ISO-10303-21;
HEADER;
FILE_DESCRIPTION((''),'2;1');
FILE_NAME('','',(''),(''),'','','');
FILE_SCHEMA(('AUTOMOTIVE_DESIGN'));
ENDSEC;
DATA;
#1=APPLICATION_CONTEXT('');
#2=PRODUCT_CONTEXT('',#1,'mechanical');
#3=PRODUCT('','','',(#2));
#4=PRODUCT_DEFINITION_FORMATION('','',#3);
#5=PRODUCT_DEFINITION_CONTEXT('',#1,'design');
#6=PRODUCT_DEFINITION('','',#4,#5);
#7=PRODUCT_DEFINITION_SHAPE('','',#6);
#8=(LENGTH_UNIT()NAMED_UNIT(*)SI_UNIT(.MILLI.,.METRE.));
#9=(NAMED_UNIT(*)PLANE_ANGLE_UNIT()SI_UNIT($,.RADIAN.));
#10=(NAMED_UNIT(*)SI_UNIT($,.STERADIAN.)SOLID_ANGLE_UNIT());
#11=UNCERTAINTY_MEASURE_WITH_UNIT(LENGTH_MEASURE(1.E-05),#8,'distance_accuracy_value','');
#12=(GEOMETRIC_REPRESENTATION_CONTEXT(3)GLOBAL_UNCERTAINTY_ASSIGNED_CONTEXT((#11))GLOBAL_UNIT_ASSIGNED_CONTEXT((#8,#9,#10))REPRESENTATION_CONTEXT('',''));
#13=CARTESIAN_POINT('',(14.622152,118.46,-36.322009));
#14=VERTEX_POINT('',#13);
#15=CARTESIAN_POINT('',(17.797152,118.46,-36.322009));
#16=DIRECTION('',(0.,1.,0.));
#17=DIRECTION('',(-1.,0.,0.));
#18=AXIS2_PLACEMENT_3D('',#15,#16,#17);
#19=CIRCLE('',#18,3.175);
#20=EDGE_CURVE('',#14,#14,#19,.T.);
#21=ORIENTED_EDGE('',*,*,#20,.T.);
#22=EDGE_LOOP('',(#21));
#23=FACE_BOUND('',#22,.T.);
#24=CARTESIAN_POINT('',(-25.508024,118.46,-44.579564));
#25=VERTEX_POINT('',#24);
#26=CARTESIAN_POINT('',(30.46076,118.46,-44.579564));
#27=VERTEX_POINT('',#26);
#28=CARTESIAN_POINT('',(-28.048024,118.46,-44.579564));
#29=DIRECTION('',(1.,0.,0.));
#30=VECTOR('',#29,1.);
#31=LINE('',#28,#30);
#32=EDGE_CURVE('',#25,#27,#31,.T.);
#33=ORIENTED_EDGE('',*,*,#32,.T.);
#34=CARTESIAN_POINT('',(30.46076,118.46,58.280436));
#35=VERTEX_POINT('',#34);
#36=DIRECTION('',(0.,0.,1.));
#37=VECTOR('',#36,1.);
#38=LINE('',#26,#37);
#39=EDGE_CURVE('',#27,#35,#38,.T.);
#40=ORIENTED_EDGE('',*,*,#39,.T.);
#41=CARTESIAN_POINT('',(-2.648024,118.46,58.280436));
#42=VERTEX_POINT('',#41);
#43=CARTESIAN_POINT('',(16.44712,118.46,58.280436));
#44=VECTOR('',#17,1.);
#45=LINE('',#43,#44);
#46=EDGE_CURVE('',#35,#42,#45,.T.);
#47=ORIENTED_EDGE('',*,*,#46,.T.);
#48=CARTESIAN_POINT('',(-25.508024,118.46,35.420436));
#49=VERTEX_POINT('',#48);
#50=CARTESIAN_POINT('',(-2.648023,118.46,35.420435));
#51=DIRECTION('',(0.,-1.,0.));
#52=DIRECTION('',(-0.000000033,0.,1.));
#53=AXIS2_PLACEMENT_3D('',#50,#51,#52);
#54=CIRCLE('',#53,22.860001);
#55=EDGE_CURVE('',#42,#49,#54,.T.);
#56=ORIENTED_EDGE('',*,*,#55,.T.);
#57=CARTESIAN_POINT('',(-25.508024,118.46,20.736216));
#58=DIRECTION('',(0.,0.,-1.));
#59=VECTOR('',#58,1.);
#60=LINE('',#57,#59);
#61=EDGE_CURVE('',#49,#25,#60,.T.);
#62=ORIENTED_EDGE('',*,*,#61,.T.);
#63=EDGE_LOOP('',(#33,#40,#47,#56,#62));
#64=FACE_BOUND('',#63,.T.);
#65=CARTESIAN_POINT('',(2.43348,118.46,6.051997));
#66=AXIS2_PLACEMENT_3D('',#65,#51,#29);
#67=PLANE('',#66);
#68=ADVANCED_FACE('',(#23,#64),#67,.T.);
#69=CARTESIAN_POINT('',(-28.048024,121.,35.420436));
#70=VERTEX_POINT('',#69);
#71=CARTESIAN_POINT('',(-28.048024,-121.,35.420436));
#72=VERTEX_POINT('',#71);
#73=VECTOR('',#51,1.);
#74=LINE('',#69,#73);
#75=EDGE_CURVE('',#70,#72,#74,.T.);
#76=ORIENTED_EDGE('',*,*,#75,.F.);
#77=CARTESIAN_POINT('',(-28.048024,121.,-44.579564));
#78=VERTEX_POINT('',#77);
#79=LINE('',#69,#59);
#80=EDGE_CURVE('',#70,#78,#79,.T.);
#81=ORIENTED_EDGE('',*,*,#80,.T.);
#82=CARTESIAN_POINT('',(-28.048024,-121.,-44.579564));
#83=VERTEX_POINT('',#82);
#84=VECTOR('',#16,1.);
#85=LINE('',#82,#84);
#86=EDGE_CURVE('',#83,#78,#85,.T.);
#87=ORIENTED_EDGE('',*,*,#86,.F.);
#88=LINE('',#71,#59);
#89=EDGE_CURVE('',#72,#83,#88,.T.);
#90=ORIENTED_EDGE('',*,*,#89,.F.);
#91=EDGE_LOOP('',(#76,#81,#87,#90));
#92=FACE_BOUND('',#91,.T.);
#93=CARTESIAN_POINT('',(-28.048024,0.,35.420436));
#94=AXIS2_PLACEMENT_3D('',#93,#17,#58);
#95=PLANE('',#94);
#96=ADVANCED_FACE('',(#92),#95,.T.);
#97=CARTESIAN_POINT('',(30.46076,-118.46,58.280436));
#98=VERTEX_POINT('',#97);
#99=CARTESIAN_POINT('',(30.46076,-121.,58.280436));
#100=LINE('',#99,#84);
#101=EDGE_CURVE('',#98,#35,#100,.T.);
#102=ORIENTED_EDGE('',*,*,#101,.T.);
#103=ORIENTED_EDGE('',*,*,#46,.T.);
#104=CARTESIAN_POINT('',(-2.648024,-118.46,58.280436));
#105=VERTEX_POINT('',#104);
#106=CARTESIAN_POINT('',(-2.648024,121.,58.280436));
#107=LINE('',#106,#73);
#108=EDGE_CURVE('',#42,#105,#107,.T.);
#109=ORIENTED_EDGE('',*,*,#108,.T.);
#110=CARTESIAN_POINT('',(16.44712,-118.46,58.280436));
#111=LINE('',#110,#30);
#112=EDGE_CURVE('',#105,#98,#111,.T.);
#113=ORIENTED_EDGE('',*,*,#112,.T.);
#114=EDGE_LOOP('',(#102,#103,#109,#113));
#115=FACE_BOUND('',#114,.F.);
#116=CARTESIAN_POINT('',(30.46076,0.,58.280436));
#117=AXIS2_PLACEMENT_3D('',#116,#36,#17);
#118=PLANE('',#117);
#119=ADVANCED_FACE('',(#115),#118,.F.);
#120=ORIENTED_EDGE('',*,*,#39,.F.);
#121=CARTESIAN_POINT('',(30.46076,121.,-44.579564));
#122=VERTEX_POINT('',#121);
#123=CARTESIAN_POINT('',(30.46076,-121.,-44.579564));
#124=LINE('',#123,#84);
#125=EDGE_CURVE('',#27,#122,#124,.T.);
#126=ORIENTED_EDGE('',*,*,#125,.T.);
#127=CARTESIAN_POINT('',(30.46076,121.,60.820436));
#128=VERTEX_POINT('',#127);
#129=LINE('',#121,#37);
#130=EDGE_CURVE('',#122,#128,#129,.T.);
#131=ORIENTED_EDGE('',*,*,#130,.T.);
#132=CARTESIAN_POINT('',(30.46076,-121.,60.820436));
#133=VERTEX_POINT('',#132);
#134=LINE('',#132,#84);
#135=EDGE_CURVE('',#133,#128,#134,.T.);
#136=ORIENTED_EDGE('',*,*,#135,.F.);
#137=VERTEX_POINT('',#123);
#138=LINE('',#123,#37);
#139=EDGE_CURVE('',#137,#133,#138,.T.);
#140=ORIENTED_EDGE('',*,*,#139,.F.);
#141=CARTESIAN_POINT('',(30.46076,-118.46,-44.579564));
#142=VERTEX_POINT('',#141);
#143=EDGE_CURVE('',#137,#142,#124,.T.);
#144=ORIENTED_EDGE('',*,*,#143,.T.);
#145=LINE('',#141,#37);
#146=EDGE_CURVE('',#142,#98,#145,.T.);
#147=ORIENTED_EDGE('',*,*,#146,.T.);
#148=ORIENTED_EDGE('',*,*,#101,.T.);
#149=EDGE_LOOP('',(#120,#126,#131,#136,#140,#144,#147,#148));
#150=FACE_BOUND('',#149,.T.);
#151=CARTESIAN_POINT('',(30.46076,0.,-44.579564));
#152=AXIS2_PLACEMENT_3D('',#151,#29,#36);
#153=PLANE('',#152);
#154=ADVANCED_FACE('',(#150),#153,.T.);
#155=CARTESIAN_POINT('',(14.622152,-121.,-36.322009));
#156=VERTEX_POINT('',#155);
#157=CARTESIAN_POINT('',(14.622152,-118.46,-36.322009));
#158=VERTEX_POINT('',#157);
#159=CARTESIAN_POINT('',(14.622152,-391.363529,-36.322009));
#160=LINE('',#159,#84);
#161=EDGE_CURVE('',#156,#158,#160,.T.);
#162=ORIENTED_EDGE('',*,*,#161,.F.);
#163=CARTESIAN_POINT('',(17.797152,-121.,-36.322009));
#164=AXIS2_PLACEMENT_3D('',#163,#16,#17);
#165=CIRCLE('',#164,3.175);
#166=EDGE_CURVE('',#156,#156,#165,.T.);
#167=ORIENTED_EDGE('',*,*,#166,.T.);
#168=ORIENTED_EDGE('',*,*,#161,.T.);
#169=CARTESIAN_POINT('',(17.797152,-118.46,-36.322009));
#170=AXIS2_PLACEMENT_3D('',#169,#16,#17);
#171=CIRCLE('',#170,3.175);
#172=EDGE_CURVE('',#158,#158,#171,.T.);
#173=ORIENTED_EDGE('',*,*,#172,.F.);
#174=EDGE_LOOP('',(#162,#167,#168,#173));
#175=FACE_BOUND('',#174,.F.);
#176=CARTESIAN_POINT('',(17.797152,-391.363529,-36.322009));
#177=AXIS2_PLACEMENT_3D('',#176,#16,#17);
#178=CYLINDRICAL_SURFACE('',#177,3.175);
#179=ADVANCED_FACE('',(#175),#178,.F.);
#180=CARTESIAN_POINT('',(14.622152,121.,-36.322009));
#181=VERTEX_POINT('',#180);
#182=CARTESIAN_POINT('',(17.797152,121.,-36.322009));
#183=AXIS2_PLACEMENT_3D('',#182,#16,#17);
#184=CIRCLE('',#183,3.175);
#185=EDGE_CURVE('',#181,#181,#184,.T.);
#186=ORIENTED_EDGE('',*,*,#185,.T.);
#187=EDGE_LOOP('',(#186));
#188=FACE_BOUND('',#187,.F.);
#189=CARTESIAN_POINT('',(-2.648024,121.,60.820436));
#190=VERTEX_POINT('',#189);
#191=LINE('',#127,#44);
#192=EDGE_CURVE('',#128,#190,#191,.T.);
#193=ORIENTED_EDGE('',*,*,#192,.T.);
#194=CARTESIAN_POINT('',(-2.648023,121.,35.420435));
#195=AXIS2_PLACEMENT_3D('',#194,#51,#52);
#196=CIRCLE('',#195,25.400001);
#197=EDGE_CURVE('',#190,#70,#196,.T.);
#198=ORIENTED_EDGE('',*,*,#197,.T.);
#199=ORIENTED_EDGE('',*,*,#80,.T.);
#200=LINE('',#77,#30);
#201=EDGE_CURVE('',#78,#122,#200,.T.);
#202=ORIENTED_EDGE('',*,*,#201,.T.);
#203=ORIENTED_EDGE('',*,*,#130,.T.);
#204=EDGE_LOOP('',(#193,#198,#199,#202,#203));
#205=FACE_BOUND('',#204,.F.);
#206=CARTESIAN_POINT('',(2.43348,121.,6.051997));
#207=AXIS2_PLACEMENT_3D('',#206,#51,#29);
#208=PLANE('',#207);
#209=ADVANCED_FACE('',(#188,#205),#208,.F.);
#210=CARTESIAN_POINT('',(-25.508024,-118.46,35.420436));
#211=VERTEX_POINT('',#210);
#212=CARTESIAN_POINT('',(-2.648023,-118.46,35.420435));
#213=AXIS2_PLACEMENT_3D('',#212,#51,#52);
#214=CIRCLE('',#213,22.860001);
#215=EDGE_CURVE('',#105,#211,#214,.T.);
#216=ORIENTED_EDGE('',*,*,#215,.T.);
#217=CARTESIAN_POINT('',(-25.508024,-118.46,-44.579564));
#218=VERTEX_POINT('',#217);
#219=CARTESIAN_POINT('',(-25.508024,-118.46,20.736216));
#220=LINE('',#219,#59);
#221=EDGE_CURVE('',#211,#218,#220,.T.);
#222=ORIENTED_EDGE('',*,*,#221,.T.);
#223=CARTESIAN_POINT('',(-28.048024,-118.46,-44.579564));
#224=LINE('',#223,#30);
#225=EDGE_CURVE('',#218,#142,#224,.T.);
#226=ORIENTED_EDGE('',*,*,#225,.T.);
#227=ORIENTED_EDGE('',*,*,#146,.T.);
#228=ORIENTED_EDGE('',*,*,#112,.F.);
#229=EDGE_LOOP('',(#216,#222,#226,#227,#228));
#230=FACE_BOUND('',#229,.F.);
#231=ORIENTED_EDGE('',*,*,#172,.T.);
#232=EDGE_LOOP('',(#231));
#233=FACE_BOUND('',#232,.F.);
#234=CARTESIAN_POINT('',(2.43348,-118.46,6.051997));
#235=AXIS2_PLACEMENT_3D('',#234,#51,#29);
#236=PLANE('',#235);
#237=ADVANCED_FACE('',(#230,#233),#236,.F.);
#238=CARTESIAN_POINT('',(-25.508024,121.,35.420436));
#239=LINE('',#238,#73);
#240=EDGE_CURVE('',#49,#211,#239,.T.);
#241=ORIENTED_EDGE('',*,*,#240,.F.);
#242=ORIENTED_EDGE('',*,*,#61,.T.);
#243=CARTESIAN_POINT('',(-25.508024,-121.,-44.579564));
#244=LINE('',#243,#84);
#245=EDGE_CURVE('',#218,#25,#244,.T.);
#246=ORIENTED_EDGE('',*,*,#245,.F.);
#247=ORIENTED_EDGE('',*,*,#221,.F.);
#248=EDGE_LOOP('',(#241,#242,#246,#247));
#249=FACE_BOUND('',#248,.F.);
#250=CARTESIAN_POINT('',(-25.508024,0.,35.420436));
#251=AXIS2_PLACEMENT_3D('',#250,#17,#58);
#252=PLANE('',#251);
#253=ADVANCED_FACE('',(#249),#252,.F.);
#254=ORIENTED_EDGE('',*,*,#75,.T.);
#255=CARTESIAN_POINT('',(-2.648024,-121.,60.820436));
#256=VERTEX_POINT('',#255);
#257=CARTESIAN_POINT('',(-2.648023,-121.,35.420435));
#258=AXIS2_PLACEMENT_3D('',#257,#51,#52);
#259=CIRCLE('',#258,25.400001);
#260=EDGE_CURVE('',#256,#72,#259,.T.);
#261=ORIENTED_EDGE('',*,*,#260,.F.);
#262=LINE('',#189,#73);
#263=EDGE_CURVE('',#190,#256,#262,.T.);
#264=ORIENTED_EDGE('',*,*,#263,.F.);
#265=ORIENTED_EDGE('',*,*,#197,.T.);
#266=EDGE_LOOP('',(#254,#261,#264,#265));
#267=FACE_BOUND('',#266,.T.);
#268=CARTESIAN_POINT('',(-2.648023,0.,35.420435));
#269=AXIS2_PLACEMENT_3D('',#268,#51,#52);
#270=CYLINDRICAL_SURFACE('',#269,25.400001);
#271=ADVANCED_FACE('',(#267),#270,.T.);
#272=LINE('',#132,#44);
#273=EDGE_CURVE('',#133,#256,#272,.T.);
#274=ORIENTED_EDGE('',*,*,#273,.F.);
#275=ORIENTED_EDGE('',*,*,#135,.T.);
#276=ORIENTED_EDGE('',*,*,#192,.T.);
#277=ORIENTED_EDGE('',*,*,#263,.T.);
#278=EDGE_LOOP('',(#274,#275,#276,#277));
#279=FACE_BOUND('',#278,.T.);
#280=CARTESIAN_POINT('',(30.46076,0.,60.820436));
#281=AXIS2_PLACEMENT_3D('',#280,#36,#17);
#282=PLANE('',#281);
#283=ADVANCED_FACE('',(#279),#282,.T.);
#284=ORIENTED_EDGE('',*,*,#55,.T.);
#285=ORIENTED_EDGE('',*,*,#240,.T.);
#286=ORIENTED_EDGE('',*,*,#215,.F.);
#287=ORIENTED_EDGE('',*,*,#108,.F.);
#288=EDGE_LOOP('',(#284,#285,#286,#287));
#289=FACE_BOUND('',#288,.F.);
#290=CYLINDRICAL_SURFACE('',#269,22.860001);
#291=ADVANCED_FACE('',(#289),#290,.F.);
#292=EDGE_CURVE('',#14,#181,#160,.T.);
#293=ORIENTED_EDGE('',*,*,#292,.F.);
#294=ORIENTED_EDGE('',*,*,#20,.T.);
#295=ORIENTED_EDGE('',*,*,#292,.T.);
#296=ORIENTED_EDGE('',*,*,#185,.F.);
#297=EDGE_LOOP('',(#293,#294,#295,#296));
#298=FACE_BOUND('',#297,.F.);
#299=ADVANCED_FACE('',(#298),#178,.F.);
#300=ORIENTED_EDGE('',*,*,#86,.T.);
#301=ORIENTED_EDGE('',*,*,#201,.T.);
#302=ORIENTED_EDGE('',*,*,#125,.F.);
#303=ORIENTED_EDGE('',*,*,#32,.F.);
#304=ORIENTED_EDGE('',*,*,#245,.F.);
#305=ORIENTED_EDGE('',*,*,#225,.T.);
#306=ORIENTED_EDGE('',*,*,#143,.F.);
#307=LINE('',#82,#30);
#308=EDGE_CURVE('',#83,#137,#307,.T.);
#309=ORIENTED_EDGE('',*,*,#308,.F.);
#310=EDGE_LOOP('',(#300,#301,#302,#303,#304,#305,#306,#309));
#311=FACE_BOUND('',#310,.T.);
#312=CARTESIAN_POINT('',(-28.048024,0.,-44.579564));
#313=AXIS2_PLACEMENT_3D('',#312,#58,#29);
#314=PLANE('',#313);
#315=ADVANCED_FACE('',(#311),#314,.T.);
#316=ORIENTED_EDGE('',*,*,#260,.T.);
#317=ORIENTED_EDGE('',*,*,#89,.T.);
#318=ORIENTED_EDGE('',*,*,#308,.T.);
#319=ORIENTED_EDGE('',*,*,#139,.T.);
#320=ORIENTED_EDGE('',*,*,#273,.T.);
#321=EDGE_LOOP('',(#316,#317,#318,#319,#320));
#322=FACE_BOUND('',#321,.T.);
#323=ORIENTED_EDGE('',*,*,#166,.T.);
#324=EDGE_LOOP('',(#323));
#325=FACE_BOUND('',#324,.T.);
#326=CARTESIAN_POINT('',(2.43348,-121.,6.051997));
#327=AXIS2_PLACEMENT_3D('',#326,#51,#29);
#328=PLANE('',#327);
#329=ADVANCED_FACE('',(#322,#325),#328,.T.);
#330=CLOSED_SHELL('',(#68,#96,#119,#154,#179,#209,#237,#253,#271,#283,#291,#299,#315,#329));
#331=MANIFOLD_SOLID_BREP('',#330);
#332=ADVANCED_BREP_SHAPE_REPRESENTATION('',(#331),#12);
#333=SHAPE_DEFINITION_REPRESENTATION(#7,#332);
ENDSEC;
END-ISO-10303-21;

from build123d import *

# Parameters (mm, degrees)
F1_DEPTH = 121
F2_T     = -2.54
F4_D     = 6.35


with BuildPart() as f1:
    # F0 (on Front) → F1 (new body, symmetric)
    with BuildSketch(Plane.XZ):
        with BuildLine():
            Line((30.46076, 60.820436), (-2.648024, 60.820436))
            ThreePointArc((-2.648024, 60.820436), (-20.608536, 53.380948), (-28.048024, 35.420436))
            Line((-28.048024, 35.420436), (-28.048024, -44.579564))
            Line((-28.048024, -44.579564), (30.46076, -44.579564))
            Line((30.46076, -44.579564), (30.46076, 60.820436))
        make_face()
    extrude(amount=F1_DEPTH, both=True)

    # F2
    f2_openings = [f1.faces().sort_by_distance(p)[0] for p in [
        (30.46076, 0, 8.120436),
        (1.206368, 0, -44.579564),
    ]]
    offset(amount=F2_T, openings=f2_openings)

    # F4 (through all)
    with Locations(Plane.XZ.offset(121)):
        with Locations((17.797152, -36.322009)):
            Hole(F4_D / 2)


solid = f1.part
